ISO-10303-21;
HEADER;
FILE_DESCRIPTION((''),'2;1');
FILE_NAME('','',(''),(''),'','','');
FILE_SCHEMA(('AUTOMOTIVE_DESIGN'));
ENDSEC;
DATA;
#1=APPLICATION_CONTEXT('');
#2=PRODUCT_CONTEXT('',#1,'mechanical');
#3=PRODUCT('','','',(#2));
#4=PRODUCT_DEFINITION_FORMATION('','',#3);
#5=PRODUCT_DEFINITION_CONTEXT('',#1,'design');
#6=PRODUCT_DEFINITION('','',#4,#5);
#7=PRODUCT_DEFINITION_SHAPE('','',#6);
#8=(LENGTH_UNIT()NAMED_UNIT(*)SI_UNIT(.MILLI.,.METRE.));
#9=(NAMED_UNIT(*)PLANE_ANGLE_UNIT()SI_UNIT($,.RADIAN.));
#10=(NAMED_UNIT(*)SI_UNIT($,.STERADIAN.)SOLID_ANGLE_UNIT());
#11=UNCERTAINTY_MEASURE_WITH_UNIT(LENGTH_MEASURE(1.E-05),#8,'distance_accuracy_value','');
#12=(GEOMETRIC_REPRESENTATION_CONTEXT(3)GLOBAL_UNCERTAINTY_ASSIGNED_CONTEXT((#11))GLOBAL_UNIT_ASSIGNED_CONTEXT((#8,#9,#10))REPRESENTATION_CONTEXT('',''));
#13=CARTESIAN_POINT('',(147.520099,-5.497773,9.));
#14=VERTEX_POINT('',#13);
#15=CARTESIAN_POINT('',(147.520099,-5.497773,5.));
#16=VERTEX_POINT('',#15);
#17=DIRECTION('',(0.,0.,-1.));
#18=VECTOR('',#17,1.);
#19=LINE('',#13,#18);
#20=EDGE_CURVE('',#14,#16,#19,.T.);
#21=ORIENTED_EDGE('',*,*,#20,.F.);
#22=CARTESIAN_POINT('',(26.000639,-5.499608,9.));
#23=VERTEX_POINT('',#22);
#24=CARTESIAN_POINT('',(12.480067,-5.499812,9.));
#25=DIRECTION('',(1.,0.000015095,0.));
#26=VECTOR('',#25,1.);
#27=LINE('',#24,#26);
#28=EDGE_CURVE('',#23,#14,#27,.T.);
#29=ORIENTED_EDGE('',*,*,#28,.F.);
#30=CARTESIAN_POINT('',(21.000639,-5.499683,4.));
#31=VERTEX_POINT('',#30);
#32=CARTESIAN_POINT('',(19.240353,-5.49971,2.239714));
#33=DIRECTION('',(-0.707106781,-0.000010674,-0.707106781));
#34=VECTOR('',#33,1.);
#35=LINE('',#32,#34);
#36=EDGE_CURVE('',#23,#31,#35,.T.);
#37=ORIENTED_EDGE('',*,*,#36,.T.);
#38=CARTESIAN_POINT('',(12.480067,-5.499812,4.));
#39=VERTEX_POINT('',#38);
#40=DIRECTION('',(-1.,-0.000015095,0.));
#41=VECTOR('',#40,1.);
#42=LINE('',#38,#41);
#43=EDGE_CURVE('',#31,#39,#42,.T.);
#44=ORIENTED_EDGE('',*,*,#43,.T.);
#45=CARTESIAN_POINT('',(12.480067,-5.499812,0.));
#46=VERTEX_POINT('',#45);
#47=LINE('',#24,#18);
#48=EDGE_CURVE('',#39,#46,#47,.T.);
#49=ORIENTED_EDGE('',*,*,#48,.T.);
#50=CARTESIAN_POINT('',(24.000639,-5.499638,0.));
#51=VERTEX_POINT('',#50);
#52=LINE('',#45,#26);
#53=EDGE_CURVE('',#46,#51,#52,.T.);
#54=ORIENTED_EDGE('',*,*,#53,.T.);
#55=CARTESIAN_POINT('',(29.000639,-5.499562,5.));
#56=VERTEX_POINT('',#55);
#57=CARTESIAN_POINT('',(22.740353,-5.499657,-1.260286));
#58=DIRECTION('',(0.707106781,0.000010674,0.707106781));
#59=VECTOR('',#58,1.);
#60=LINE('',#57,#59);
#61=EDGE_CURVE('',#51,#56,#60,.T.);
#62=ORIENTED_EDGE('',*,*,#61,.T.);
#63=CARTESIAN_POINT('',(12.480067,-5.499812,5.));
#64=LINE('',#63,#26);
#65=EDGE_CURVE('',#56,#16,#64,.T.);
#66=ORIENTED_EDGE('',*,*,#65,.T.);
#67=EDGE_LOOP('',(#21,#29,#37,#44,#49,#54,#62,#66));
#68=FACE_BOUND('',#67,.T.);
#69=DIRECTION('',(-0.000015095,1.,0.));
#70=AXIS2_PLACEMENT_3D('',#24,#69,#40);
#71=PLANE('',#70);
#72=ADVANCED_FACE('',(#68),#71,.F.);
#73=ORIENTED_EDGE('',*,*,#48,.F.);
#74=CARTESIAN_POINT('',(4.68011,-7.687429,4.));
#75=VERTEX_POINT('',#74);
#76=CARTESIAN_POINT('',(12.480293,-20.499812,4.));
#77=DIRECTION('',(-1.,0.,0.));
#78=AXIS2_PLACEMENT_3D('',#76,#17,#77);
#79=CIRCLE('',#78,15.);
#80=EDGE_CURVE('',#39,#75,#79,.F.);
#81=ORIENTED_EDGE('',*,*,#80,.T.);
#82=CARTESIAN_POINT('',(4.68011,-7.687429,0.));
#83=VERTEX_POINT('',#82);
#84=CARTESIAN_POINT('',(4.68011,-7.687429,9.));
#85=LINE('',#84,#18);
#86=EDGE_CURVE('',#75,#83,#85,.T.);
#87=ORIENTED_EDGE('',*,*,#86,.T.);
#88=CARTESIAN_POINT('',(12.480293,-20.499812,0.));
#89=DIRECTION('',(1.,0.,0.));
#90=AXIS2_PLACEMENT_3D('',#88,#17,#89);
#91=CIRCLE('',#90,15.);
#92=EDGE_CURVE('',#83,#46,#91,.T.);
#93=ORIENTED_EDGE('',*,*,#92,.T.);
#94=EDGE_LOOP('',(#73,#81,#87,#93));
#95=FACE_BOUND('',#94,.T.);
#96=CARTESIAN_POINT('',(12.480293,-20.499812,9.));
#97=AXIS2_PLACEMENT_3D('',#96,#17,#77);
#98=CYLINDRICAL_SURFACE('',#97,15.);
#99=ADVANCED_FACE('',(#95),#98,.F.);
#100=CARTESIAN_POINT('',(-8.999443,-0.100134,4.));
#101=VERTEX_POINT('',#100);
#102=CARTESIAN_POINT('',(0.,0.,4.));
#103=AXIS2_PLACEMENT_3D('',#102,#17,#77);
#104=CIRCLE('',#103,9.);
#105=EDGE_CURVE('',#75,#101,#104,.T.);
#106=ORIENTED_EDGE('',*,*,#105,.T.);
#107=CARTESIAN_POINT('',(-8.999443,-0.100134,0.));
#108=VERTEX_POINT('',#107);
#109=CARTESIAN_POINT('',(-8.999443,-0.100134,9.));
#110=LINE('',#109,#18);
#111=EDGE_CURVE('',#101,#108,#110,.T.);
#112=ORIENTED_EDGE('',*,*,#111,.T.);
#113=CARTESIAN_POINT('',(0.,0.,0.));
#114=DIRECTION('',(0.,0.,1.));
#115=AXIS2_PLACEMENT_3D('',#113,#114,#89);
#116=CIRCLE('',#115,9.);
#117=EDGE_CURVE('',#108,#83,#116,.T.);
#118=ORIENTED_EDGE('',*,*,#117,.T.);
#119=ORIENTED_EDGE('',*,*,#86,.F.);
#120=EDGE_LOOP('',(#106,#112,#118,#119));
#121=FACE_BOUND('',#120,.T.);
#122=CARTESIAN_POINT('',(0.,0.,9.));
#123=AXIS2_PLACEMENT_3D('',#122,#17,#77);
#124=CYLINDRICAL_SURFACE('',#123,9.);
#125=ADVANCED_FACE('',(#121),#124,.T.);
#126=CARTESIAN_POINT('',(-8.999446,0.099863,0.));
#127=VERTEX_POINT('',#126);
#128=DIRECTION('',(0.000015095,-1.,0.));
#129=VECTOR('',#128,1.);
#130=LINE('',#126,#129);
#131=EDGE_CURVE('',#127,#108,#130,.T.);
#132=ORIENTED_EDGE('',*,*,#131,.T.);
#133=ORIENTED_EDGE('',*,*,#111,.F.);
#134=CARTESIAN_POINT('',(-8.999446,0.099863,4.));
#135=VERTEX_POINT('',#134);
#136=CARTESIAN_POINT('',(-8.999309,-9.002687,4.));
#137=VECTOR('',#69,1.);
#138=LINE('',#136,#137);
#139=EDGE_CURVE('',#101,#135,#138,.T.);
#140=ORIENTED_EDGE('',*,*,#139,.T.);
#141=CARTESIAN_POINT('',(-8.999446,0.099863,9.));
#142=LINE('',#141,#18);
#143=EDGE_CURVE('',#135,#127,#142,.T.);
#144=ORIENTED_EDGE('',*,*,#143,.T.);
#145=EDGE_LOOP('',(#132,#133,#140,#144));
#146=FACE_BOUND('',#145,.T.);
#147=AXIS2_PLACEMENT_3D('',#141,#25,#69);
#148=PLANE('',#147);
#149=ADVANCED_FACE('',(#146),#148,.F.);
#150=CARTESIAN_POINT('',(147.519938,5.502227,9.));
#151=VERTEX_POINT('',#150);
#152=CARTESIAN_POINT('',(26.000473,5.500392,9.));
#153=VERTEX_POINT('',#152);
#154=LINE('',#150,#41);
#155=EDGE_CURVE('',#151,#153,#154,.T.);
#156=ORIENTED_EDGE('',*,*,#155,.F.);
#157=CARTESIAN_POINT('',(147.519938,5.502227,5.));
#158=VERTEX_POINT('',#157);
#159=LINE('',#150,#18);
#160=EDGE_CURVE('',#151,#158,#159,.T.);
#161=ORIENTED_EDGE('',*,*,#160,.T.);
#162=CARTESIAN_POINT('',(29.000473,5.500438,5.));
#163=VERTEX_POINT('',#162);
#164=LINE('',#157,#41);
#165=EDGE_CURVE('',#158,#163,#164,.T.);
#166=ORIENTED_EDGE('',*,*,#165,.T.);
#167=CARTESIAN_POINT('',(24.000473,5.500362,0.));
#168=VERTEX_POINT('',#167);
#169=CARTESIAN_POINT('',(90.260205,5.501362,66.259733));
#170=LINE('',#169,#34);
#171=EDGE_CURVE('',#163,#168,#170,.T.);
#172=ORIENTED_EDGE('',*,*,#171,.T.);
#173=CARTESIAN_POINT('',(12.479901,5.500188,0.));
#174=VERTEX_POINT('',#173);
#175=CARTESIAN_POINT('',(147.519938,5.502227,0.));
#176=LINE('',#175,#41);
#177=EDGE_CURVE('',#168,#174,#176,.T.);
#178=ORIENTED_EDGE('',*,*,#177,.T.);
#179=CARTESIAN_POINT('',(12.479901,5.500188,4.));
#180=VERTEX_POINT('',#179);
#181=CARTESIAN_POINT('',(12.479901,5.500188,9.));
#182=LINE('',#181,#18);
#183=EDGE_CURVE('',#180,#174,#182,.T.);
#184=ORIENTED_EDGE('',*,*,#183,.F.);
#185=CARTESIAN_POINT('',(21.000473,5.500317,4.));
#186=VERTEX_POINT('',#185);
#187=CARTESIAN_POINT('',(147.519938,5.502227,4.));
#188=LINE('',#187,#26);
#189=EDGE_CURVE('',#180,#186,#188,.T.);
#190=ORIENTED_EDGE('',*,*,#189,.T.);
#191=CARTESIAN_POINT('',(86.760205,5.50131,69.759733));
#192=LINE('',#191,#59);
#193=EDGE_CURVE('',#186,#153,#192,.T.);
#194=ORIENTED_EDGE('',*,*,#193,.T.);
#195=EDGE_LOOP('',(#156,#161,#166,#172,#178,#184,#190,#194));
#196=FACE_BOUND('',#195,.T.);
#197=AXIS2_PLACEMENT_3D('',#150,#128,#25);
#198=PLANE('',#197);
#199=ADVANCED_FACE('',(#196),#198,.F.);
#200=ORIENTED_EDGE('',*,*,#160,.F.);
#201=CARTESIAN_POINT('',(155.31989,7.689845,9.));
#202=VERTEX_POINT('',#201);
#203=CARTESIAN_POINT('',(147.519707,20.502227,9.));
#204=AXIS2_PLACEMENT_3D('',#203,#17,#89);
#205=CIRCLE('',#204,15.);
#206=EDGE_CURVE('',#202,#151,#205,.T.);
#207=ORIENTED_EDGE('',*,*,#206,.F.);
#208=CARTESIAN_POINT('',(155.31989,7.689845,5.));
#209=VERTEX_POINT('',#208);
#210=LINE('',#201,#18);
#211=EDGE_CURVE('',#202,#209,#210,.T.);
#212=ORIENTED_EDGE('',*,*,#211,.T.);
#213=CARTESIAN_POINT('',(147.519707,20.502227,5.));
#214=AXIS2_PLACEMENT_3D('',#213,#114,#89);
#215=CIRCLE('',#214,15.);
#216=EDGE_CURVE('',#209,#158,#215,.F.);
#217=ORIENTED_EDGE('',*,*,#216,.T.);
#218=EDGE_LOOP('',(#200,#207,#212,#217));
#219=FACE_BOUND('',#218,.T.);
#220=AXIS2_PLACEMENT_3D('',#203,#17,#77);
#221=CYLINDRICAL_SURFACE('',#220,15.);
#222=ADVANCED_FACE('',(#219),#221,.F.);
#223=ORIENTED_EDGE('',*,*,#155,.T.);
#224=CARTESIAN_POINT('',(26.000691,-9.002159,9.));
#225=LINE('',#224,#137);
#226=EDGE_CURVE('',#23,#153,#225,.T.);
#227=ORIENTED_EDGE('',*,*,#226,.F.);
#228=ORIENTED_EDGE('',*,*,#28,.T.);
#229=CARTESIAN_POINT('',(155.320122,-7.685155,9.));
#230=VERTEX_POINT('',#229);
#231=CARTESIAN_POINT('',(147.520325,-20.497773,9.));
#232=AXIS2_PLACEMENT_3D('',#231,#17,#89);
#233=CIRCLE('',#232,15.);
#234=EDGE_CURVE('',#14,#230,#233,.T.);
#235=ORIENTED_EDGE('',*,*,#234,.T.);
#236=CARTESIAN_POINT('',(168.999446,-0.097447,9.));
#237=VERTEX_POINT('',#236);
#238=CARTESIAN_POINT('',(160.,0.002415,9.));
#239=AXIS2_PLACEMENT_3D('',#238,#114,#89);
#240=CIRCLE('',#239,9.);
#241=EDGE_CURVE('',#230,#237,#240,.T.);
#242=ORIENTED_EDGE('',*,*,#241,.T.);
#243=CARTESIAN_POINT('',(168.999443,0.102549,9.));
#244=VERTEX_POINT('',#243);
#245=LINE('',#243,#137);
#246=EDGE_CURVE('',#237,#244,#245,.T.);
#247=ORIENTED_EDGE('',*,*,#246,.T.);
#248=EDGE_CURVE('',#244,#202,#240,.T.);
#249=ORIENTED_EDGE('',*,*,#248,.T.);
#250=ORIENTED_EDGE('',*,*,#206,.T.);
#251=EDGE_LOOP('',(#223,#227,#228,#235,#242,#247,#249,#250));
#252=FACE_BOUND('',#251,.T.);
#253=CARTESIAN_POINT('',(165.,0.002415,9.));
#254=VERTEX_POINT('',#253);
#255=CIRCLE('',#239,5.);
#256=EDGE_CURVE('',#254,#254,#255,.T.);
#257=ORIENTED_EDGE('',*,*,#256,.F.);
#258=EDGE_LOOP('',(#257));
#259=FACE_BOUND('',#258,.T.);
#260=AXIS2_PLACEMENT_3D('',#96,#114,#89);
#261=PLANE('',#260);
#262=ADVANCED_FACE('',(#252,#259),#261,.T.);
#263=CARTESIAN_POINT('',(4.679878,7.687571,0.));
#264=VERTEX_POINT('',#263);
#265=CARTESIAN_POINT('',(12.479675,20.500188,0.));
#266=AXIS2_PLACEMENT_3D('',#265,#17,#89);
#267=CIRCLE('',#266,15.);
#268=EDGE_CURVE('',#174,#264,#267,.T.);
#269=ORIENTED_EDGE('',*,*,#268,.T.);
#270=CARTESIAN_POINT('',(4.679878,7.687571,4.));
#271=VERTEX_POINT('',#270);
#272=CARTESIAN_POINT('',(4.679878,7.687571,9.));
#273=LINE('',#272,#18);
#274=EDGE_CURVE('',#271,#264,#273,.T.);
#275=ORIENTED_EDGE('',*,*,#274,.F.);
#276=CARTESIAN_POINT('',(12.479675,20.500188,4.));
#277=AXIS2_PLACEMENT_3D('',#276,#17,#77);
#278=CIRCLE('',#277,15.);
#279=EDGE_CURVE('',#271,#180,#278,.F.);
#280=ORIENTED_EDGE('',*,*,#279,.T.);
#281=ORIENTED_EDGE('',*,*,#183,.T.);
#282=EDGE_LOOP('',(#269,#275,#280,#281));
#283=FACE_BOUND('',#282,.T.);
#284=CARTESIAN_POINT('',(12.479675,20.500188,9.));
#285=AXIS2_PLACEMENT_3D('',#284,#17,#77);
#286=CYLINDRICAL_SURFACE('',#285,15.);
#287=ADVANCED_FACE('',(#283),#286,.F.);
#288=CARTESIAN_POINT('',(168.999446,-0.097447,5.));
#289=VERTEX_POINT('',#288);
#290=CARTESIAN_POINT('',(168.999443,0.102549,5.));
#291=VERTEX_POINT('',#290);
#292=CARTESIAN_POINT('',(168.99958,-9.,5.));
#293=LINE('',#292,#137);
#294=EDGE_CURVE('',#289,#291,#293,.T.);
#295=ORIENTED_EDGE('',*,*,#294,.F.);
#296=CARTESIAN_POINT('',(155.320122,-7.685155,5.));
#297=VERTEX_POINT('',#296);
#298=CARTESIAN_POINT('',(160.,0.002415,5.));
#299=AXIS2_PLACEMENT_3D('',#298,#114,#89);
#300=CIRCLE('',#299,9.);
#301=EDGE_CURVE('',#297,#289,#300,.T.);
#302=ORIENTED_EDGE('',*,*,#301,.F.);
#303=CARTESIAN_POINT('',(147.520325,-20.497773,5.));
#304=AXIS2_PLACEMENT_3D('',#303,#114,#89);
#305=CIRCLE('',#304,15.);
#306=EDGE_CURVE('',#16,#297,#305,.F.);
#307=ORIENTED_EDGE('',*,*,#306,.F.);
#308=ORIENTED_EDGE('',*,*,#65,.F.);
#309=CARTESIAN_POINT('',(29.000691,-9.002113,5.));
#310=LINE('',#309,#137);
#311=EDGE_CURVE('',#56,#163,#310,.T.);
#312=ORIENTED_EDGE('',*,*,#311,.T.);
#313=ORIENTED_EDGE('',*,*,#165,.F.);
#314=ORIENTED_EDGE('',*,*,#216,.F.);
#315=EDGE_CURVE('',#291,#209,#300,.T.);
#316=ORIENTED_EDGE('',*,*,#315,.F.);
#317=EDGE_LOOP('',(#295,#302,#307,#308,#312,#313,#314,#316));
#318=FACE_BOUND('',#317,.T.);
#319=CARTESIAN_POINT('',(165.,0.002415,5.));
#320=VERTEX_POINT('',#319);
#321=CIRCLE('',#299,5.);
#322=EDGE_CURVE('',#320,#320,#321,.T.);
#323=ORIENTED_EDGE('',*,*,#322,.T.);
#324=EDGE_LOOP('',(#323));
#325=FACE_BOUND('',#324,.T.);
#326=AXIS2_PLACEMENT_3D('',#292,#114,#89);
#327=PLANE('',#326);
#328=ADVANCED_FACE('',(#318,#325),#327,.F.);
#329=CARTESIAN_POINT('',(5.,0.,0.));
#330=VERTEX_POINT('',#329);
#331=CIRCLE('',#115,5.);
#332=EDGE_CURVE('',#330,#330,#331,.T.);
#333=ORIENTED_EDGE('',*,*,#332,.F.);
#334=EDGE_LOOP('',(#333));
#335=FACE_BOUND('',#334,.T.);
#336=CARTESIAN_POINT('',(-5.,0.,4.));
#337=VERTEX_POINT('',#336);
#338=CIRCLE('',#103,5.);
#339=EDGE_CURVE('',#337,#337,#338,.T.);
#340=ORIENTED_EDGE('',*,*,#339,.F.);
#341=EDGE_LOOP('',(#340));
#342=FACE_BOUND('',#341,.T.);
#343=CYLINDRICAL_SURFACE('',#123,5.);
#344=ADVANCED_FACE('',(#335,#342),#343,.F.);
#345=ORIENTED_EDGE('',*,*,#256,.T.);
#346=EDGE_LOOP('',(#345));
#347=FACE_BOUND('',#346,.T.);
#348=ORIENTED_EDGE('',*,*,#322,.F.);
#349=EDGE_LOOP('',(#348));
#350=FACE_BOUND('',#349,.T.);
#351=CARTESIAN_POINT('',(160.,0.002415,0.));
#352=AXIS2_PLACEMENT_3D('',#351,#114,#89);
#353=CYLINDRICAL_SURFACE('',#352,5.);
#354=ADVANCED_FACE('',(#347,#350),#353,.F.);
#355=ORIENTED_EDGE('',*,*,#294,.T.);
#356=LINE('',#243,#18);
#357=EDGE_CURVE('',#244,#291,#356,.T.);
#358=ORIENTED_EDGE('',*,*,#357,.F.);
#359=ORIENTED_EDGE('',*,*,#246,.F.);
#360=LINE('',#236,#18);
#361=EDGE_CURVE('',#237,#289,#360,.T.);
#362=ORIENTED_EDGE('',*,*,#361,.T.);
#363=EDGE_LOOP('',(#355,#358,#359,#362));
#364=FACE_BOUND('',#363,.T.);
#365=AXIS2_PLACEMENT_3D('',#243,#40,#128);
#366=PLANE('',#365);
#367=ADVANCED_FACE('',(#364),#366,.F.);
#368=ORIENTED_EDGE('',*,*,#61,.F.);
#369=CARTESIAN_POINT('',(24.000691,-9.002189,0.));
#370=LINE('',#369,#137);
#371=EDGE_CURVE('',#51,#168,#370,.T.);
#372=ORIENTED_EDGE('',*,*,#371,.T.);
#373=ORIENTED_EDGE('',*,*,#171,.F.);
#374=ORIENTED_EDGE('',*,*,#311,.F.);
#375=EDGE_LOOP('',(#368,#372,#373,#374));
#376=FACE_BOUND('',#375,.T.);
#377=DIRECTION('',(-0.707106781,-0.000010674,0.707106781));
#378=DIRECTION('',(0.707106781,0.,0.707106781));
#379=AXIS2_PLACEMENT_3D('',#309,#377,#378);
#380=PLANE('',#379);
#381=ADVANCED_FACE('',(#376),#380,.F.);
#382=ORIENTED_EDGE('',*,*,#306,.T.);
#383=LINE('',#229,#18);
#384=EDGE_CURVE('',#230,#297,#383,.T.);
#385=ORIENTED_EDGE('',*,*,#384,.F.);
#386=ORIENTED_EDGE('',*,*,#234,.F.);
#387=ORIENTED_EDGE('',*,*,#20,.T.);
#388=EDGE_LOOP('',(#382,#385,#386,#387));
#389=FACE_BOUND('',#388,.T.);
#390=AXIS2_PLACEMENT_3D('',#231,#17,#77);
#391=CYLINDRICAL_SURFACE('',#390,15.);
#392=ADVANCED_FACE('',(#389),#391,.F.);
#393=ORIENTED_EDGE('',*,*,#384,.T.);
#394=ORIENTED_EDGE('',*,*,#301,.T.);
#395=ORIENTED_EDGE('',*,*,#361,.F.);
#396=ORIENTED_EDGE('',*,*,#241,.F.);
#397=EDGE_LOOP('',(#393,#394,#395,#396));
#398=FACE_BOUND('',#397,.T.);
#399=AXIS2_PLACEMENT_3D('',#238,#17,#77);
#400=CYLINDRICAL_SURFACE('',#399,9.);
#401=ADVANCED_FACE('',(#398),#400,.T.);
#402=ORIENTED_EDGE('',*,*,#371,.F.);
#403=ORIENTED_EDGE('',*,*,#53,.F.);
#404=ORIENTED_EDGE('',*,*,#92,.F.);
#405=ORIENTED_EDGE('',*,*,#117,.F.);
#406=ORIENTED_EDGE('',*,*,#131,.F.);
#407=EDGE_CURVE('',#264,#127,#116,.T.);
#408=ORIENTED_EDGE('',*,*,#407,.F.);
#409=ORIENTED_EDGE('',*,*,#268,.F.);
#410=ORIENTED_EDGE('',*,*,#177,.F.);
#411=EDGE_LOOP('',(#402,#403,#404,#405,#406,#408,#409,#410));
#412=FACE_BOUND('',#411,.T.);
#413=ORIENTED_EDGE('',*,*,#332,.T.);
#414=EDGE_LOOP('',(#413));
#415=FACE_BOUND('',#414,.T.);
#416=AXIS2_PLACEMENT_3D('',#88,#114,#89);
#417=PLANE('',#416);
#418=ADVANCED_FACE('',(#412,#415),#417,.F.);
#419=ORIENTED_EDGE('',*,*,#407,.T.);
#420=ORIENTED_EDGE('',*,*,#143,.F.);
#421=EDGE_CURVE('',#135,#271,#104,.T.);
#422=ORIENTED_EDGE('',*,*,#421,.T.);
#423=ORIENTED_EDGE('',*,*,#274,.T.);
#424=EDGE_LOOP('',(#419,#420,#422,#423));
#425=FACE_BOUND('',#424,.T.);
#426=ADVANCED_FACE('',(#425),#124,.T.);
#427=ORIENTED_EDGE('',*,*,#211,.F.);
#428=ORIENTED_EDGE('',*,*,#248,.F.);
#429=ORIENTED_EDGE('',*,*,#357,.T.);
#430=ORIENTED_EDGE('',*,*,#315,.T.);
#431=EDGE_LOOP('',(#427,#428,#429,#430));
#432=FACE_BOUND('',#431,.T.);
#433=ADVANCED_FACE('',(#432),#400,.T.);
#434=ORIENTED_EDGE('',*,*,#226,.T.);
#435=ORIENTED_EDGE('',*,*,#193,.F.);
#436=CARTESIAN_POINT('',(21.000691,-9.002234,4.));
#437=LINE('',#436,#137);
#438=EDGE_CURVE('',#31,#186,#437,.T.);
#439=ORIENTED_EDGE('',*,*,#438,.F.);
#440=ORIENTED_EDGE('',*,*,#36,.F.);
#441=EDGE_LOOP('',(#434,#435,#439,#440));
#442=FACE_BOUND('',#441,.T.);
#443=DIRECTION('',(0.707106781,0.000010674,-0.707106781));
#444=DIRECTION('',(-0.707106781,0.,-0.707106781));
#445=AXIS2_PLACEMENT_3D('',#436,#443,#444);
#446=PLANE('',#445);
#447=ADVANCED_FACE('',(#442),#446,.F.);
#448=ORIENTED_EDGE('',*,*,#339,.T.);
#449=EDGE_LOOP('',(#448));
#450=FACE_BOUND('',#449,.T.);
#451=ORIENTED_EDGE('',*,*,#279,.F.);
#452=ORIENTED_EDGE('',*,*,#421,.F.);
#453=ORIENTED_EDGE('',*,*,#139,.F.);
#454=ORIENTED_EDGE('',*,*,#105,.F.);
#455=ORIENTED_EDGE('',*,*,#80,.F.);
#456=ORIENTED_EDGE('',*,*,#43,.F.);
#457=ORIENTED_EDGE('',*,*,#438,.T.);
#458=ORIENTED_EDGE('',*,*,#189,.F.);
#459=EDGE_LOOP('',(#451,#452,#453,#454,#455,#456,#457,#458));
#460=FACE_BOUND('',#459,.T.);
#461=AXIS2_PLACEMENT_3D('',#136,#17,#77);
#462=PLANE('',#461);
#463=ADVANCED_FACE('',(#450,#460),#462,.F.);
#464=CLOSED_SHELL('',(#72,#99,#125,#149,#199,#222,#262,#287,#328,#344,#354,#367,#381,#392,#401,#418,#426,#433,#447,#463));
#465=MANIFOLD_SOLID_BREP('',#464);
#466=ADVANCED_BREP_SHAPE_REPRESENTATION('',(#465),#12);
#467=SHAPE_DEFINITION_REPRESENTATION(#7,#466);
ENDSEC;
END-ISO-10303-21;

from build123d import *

# Parameters (mm, degrees)
SKETCH_2_R               = 5
SKETCH_2_R_2             = 1.999999992
EXTRUDE_1_DEPTH          = 9
CUT_EXTRUDE_1_DEPTH      = 170.859032113
CUT_EXTRUDE_1_DEPTH_BACK = 170.859032113
SKETCH_4_R               = 5
CUT_EXTRUDE_2_DEPTH      = 170.478188001


with BuildPart() as part:
    # 草图2 → 凸台-拉伸1 (new body)
    with BuildSketch(Plane.XY):
        with BuildLine():
            Line((147.519937563, 5.502226824), (12.479900949, 5.500188388))
            ThreePointArc((12.479900949, 5.500188388), (8.429429601, 6.057352235), (4.679877945, 7.687570645))
            ThreePointArc((4.679877945, 7.687570645), (-4.365546387, 7.87032431), (-8.999445953, 0.099862608))
            Line((-8.999445953, 0.099862608), (-8.999442934, -0.100134306))
            ThreePointArc((-8.999442934, -0.100134306), (-4.365308776, -7.870456104), (4.680110035, -7.687429353))
            ThreePointArc((4.680110035, -7.687429353), (8.429612472, -6.057097743), (12.480066997, -5.499811611))
            Line((12.480066997, -5.499811611), (147.520099033, -5.497773175))
            ThreePointArc((147.520099033, -5.497773175), (151.570570386, -6.054937034), (155.320122044, -7.68515546))
            ThreePointArc((155.320122044, -7.68515546), (164.365546377, -7.867909125), (168.999445942, -0.097447423))
            Line((168.999445942, -0.097447423), (168.999442923, 0.102549491))
            ThreePointArc((168.999442923, 0.102549491), (164.365308765, 7.87287129), (155.319889955, 7.689844539))
            ThreePointArc((155.319889955, 7.689844539), (151.570389715, 6.05951356), (147.519937563, 5.502226824))
        make_face()
        Circle(SKETCH_2_R, mode=Mode.SUBTRACT)
        with Locations((159.999999989, 0.002415185)):
            Circle(SKETCH_2_R_2, mode=Mode.SUBTRACT)
    extrude(amount=EXTRUDE_1_DEPTH)

    # 草图3 → 切除-拉伸1 (cut, two sides: drawn at the far end of the back side and taken through both)
    with BuildSketch(Plane(origin=(-8.3023e-05, 5.500000002, 0), x_dir=(0.9999999998860698, 1.509504600630928e-05, 0), z_dir=(-1.509504600630928e-05, 0.9999999998860698, 0)).offset(-CUT_EXTRUDE_1_DEPTH_BACK)):
        Polygon((21.000555556, -4), (26.000555556, -9), (-8.999444444, -9), (-8.999444444, -4), align=None)
        Polygon((29.000555556, -5), (24.000555556, 0), (168.999444452, 0), (168.999444452, -5), align=None)
    extrude(amount=CUT_EXTRUDE_1_DEPTH + CUT_EXTRUDE_1_DEPTH_BACK, mode=Mode.SUBTRACT)

    # 草图4 → 切除-拉伸2 (cut, through all)
    with BuildSketch(Plane.XY.offset(9)):
        with Locations((159.999999989, 0.002415185)):
            Circle(SKETCH_4_R)
    extrude(amount=-CUT_EXTRUDE_2_DEPTH, mode=Mode.SUBTRACT)


solid = part.part
